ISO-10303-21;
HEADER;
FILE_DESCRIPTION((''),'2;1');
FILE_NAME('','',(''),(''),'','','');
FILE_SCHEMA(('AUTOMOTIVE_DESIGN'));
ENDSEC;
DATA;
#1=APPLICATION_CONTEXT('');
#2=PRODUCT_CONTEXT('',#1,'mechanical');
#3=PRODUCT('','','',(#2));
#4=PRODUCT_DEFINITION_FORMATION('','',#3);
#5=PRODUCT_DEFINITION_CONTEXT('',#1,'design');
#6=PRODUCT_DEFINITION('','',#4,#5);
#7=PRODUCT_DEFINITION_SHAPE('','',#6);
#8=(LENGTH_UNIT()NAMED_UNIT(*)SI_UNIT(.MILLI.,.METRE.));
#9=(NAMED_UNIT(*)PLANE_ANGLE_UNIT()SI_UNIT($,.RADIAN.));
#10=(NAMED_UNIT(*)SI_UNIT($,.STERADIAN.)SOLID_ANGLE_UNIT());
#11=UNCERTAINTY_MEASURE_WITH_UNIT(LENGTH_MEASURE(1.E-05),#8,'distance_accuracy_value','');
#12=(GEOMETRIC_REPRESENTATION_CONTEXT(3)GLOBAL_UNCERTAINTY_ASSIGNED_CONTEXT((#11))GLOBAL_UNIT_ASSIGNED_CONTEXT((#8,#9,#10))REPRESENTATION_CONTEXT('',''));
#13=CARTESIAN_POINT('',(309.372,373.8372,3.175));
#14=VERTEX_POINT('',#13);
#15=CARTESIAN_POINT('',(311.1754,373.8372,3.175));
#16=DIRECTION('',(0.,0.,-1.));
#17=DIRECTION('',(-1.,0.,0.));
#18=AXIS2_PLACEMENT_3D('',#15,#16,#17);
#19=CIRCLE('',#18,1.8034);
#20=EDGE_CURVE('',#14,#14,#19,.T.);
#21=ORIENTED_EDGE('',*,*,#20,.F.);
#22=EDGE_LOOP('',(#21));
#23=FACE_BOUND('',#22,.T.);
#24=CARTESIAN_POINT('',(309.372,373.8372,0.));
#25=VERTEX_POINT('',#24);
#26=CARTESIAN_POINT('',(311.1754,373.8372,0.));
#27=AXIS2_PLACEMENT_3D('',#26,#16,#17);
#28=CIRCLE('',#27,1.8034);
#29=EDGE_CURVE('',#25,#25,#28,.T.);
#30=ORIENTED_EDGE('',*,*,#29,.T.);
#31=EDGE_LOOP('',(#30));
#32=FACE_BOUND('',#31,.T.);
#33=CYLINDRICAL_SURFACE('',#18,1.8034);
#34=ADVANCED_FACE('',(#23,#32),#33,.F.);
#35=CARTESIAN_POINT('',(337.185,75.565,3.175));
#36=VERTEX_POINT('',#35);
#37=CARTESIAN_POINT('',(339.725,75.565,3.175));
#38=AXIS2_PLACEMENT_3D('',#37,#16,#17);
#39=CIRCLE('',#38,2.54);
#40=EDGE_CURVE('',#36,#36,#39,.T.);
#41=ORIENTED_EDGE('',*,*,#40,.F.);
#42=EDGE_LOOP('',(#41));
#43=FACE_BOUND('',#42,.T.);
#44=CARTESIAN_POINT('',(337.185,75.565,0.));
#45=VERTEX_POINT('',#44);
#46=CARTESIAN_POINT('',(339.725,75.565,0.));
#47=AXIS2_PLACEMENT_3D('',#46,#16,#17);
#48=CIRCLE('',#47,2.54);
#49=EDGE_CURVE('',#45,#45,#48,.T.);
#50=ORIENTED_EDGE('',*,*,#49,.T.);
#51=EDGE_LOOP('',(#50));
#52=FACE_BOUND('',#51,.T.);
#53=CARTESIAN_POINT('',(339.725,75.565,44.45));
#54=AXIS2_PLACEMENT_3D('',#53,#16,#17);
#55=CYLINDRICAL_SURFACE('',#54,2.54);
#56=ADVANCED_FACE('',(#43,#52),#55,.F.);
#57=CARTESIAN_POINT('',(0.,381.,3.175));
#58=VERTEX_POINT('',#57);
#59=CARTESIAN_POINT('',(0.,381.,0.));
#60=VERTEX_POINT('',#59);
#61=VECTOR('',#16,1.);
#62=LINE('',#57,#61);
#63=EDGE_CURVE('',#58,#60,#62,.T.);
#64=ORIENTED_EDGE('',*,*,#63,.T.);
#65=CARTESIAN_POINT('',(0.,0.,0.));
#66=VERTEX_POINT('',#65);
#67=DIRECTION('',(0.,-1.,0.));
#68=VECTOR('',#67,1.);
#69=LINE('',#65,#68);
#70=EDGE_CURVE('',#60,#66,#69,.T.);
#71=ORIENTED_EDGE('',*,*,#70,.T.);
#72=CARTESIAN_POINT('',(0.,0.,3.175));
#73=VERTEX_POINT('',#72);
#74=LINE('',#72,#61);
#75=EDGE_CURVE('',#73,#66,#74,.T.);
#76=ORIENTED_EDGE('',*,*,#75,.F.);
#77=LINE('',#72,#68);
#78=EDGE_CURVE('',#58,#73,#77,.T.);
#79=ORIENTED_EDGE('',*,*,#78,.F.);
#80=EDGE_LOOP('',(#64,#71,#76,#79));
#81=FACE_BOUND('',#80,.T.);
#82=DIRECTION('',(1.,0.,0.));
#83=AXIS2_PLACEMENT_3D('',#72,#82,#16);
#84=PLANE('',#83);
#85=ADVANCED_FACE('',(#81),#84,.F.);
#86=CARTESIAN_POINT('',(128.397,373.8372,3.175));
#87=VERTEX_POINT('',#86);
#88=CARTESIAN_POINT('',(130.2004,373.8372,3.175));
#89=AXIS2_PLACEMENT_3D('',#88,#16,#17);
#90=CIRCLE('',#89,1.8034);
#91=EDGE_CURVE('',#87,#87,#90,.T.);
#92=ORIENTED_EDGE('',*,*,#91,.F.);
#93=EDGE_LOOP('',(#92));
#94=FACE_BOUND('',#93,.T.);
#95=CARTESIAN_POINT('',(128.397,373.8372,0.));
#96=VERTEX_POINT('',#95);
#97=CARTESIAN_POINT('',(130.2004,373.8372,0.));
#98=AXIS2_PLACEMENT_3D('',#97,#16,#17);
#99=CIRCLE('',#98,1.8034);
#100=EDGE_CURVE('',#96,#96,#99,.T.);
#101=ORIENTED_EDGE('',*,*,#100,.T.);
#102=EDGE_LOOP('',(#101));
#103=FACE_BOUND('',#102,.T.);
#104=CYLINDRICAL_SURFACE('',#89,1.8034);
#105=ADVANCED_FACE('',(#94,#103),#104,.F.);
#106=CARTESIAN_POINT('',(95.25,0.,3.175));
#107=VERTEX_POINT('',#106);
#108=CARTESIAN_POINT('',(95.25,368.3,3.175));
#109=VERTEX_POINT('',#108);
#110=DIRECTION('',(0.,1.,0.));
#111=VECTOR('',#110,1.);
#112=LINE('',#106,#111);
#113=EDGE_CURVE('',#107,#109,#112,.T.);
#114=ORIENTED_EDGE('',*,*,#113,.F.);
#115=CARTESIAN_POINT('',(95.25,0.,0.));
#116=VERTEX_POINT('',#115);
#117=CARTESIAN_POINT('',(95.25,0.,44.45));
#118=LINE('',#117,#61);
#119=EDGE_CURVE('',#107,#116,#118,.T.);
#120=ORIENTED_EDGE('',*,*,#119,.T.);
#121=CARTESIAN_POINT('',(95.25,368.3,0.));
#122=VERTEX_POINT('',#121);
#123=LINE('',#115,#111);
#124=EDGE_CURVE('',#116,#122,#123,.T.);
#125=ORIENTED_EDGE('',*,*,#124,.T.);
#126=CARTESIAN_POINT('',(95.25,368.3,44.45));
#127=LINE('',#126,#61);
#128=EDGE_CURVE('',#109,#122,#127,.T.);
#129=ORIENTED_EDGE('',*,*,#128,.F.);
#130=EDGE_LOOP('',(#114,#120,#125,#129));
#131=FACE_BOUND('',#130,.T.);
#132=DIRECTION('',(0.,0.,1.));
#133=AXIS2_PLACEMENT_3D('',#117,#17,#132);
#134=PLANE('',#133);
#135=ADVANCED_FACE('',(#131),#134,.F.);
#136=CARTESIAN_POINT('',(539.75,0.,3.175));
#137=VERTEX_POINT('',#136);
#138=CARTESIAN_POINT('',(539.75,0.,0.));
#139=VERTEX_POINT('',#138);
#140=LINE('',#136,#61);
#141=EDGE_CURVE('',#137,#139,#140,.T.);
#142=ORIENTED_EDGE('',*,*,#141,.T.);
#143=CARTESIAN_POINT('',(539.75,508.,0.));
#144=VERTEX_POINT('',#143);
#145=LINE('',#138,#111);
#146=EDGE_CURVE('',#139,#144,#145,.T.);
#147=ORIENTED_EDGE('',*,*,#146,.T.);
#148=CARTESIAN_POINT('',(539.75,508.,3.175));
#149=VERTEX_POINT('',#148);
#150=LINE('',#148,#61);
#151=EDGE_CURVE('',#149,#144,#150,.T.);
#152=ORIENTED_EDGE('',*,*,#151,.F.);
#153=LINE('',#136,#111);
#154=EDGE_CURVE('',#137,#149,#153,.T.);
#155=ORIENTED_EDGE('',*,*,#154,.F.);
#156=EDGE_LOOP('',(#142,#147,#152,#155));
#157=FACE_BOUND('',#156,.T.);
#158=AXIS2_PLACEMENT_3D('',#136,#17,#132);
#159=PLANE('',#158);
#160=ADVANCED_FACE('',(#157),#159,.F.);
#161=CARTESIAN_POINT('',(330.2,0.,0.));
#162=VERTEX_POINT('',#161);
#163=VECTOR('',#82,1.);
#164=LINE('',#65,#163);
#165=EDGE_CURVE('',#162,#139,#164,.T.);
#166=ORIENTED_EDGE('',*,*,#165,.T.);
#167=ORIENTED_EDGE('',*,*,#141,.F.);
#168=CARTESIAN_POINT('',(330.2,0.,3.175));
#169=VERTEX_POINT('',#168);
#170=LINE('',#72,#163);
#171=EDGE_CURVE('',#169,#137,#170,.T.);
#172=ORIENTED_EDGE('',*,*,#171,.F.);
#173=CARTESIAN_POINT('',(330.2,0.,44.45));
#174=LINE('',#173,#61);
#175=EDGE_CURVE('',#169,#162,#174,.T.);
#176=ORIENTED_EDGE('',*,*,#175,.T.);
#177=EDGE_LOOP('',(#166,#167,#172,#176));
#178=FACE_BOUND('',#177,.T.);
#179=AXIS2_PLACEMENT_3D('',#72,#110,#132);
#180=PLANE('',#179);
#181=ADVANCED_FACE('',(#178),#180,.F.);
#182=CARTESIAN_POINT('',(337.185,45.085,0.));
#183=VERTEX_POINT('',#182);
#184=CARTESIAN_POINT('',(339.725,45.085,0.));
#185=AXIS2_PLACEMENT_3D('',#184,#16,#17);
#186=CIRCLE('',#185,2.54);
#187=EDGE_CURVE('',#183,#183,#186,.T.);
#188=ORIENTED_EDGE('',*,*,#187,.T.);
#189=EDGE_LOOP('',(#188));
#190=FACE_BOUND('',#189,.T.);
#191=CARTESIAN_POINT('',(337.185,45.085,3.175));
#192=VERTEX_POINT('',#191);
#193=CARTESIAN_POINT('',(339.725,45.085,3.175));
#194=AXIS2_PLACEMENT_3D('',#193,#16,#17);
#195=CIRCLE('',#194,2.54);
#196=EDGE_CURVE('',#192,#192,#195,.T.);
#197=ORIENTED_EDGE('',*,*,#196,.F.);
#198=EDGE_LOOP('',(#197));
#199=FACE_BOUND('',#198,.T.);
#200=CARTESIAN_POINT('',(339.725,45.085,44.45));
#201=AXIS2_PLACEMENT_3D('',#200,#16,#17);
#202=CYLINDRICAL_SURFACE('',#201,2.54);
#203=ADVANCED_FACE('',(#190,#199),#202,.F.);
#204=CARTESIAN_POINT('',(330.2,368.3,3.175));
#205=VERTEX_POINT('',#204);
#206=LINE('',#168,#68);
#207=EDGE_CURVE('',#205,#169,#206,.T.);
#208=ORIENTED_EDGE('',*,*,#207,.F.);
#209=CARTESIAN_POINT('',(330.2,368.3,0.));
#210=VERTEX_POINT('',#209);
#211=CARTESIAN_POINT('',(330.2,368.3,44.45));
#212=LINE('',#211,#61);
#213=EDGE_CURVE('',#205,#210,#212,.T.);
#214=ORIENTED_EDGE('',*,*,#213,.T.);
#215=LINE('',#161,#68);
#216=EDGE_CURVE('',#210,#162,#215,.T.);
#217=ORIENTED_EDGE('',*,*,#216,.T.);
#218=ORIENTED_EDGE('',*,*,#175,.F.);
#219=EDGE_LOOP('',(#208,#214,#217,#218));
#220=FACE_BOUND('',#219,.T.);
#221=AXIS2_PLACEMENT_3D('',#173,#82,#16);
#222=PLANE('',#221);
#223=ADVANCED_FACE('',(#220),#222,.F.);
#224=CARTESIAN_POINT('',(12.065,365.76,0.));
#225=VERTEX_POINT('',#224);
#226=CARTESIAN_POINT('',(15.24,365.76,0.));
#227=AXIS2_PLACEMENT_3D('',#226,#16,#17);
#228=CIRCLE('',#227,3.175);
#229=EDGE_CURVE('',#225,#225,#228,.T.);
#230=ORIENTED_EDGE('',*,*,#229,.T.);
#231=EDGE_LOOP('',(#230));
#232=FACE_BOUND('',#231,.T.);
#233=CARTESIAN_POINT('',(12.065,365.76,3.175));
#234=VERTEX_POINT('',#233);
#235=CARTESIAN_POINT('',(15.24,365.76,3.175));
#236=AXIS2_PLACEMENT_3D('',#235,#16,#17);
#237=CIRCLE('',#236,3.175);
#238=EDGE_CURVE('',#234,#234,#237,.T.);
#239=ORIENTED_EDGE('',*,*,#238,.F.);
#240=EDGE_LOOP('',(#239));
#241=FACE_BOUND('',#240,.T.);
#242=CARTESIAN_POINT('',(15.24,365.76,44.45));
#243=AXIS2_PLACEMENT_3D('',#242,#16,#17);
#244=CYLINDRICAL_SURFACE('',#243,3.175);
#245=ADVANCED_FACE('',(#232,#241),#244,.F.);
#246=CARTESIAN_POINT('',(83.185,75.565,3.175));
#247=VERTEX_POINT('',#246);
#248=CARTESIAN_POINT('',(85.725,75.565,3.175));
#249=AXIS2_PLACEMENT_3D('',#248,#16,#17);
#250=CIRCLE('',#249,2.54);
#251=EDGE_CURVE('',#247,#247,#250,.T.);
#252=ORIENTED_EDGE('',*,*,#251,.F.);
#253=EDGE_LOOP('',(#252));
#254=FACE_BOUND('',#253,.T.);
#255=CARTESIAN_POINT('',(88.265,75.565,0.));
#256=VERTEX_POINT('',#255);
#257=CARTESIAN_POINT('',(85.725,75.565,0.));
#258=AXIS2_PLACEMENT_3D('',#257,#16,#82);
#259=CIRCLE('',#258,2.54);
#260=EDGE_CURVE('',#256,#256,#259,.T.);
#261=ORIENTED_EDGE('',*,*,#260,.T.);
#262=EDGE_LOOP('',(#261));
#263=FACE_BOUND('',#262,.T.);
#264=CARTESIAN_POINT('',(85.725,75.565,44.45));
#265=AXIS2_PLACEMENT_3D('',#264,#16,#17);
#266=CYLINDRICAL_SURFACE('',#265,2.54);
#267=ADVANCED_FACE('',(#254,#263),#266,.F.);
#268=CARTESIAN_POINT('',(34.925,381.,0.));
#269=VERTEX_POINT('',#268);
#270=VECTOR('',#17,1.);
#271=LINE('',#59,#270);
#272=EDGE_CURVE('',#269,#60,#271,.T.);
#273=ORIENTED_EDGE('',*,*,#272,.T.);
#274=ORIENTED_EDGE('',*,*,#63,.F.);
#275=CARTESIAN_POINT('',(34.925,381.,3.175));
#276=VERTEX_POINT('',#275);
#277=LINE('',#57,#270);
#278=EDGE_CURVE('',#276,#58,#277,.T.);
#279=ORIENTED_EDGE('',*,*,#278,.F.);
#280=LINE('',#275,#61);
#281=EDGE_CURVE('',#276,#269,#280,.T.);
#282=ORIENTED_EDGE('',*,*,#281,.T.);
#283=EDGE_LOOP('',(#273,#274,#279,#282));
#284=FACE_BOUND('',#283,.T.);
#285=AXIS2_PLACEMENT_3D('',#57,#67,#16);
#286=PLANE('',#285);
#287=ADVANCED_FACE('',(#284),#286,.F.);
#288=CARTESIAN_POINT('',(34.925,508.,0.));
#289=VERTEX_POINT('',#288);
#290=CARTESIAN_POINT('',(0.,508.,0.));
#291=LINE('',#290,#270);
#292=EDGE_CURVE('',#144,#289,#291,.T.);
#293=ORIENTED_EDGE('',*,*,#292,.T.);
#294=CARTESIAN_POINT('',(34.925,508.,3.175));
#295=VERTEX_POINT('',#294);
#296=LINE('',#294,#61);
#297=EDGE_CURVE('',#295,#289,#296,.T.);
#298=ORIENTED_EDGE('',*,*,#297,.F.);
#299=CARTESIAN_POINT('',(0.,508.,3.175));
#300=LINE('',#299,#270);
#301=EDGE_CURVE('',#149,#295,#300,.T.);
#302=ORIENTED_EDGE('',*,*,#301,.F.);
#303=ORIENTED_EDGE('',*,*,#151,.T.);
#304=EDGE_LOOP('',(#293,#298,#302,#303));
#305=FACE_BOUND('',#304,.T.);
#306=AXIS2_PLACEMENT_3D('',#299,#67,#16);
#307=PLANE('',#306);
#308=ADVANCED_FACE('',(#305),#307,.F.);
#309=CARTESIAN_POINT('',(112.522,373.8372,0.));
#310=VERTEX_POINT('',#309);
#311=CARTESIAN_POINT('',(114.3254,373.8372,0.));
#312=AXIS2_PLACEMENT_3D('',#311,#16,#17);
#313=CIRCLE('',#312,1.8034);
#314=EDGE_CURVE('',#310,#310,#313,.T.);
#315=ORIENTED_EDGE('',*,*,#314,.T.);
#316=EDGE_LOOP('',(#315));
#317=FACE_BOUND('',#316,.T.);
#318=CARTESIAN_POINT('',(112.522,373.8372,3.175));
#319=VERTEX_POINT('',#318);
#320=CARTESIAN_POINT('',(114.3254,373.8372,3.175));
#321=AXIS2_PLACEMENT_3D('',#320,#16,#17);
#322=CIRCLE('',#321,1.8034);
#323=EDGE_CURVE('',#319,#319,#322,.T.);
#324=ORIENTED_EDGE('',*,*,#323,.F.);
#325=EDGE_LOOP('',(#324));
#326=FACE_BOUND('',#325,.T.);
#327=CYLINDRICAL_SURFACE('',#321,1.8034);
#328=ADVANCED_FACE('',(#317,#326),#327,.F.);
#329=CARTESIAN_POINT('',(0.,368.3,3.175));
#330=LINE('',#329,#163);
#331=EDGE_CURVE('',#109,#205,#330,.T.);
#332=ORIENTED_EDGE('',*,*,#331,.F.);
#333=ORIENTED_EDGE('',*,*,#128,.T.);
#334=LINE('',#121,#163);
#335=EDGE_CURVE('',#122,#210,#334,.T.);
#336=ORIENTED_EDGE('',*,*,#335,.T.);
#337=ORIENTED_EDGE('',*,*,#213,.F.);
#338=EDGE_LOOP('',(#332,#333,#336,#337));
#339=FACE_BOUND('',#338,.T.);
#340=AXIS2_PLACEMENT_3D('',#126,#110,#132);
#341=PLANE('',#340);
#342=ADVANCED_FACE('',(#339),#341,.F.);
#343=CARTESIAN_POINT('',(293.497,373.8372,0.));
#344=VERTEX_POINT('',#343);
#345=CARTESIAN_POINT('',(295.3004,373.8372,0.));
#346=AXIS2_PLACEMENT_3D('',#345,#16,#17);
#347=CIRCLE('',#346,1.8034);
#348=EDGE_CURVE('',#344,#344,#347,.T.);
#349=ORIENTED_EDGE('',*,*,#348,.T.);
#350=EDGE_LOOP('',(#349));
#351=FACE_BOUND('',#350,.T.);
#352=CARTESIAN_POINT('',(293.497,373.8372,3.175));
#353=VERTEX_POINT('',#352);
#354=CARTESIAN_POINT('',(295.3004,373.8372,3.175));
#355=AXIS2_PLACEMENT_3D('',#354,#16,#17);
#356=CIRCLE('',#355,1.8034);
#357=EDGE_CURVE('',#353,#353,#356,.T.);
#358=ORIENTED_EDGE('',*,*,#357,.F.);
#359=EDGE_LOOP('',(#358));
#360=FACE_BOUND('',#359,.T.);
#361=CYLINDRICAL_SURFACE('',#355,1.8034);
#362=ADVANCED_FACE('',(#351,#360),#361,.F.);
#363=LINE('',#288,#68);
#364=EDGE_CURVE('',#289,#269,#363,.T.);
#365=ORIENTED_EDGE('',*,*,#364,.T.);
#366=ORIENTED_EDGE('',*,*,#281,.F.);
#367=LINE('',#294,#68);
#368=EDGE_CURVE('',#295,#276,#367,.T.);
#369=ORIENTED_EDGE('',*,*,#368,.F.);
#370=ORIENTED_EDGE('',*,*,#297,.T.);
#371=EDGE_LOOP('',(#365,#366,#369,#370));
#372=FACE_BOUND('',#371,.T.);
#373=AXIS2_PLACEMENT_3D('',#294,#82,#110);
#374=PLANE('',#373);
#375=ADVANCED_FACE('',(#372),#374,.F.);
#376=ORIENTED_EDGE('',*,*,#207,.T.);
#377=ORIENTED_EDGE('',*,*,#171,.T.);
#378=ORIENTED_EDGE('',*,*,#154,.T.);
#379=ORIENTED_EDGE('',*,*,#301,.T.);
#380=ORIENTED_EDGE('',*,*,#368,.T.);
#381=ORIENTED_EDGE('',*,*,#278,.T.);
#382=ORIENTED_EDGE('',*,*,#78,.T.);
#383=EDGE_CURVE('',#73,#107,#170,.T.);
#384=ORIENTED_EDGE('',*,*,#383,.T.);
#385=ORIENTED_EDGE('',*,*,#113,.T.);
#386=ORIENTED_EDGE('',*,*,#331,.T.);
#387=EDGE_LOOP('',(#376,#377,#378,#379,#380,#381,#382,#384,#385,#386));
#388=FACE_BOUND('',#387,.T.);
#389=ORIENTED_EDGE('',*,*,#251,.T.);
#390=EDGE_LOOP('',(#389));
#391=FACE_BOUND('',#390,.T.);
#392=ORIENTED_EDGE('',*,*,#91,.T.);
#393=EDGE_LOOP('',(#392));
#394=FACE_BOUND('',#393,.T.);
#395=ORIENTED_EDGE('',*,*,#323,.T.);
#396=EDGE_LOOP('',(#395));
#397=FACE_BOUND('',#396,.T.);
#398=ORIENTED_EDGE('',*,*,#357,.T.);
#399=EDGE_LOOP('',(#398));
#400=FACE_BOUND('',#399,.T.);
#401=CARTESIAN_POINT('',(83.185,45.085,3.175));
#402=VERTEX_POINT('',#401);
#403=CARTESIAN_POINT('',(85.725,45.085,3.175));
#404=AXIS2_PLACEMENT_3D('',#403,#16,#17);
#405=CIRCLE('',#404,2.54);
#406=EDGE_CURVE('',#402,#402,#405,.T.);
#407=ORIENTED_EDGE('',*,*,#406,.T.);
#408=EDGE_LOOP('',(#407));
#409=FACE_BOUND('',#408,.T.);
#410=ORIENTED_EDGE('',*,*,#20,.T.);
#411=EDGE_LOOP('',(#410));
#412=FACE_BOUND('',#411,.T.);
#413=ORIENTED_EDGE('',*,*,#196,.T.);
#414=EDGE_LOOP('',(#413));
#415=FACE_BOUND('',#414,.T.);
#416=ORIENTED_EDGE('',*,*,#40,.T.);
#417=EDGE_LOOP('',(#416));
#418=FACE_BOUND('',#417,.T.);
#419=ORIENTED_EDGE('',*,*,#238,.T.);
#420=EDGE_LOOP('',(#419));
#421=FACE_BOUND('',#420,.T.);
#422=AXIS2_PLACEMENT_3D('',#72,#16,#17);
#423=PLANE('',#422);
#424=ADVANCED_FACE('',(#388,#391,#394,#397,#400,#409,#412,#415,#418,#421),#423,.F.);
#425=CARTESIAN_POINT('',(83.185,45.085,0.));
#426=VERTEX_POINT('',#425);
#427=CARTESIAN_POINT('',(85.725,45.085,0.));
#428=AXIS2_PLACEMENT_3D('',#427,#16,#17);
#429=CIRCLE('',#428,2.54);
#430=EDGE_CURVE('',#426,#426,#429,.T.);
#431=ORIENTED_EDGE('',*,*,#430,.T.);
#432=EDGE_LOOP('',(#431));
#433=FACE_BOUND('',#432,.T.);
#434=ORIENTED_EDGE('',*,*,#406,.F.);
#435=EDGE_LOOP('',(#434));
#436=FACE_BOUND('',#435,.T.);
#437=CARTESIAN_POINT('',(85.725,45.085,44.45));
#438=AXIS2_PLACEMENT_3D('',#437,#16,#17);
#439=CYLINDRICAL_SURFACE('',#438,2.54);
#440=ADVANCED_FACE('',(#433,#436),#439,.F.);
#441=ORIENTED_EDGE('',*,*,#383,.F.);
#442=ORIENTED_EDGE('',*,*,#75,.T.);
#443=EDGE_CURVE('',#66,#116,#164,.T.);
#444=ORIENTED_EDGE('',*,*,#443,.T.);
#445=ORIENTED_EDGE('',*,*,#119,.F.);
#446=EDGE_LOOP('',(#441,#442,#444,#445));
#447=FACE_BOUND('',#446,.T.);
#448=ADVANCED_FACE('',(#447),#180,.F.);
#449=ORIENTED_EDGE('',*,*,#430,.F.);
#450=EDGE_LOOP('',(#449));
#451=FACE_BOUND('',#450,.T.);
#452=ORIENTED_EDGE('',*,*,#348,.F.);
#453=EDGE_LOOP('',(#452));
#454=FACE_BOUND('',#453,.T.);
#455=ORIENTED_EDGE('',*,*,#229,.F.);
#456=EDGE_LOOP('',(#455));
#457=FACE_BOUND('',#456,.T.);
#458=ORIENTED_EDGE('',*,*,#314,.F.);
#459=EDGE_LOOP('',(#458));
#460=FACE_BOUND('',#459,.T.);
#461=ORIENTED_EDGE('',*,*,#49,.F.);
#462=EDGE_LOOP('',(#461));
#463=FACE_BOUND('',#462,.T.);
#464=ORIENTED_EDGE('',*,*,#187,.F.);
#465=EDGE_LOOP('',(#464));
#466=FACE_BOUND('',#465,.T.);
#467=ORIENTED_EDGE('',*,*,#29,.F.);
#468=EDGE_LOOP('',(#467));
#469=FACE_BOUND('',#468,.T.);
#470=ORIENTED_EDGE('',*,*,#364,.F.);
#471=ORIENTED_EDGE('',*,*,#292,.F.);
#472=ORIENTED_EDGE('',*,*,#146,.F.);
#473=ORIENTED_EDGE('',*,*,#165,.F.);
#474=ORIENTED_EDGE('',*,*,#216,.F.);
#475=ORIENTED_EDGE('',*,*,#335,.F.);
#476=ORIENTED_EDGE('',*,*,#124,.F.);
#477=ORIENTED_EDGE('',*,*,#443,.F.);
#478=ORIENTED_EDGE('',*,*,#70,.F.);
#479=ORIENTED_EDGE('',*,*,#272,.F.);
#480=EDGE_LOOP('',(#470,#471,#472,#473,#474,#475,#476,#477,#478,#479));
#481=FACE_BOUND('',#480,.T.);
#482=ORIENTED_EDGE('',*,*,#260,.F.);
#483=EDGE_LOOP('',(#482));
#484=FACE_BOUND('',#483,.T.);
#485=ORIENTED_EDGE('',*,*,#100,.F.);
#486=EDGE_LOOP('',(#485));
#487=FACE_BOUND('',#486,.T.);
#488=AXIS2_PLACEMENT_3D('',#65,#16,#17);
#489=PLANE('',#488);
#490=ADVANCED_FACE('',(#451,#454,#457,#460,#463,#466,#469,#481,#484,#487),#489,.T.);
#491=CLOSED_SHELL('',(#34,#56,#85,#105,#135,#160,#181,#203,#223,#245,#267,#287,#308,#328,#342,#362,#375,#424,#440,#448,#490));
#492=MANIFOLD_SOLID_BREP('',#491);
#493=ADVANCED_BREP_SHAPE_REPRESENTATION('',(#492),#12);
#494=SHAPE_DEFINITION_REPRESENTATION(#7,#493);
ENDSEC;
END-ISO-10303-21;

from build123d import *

# Parameters (mm, degrees)
SKETCH1_W           = 539.75
SKETCH1_H           = 508
BOSS_EXTRUDE1_DEPTH = 3.175
SKETCH2_R           = 2.54
SKETCH2_R_2         = 3.175
SKETCH2_W           = 234.95
SKETCH2_H           = 368.3
CUT_EXTRUDE1_DEPTH  = 44.45
SKETCH3_W           = 34.925
SKETCH3_H           = 127
CUT_EXTRUDE2_DEPTH  = 742.218013222
SKETCH4_R           = 1.8034
CUT_EXTRUDE3_DEPTH  = 742.218013222


with BuildPart() as part:
    # Sketch1 → Boss-Extrude1 (new body)
    with BuildSketch(Plane.XY):
        with Locations((269.875, 254)):
            Rectangle(SKETCH1_W, SKETCH1_H)
    extrude(amount=BOSS_EXTRUDE1_DEPTH)

    # Sketch2 → Cut-Extrude1 (cut)
    with BuildSketch(Plane(origin=(0, 0, 0), x_dir=(-1, 0, 0), z_dir=(0, 0, -1))):
        with Locations((-339.725, 45.085)):
            Circle(SKETCH2_R)
        with Locations((-85.725, 45.085)):
            Circle(SKETCH2_R)
        with Locations((-15.24, 365.76)):
            Circle(SKETCH2_R_2)
        with Locations((-339.725, 75.565)):
            Circle(SKETCH2_R)
        with Locations((-85.725, 75.565)):
            Circle(SKETCH2_R)
        with Locations((-212.725, 184.15)):
            Rectangle(SKETCH2_W, SKETCH2_H)
    extrude(amount=-CUT_EXTRUDE1_DEPTH, mode=Mode.SUBTRACT)

    # Sketch3 → Cut-Extrude2 (cut, through all)
    with BuildSketch(Plane(origin=(0, 0, 0), x_dir=(-1, 0, 0), z_dir=(0, 0, -1))):
        with Locations((-17.4625, 444.5)):
            Rectangle(SKETCH3_W, SKETCH3_H)
    extrude(amount=-CUT_EXTRUDE2_DEPTH, mode=Mode.SUBTRACT)

    # Sketch4 → Cut-Extrude3 (cut, through all)
    with BuildSketch(Plane(origin=(0, 0, 0), x_dir=(-1, 0, 0), z_dir=(0, 0, -1))):
        with Locations((-311.1754, 373.8372)):
            Circle(SKETCH4_R)
        with Locations((-295.3004, 373.8372)):
            Circle(SKETCH4_R)
        with Locations((-130.2004, 373.8372)):
            Circle(SKETCH4_R)
        with Locations((-114.3254, 373.8372)):
            Circle(SKETCH4_R)
    extrude(amount=-CUT_EXTRUDE3_DEPTH, mode=Mode.SUBTRACT)


solid = part.part
